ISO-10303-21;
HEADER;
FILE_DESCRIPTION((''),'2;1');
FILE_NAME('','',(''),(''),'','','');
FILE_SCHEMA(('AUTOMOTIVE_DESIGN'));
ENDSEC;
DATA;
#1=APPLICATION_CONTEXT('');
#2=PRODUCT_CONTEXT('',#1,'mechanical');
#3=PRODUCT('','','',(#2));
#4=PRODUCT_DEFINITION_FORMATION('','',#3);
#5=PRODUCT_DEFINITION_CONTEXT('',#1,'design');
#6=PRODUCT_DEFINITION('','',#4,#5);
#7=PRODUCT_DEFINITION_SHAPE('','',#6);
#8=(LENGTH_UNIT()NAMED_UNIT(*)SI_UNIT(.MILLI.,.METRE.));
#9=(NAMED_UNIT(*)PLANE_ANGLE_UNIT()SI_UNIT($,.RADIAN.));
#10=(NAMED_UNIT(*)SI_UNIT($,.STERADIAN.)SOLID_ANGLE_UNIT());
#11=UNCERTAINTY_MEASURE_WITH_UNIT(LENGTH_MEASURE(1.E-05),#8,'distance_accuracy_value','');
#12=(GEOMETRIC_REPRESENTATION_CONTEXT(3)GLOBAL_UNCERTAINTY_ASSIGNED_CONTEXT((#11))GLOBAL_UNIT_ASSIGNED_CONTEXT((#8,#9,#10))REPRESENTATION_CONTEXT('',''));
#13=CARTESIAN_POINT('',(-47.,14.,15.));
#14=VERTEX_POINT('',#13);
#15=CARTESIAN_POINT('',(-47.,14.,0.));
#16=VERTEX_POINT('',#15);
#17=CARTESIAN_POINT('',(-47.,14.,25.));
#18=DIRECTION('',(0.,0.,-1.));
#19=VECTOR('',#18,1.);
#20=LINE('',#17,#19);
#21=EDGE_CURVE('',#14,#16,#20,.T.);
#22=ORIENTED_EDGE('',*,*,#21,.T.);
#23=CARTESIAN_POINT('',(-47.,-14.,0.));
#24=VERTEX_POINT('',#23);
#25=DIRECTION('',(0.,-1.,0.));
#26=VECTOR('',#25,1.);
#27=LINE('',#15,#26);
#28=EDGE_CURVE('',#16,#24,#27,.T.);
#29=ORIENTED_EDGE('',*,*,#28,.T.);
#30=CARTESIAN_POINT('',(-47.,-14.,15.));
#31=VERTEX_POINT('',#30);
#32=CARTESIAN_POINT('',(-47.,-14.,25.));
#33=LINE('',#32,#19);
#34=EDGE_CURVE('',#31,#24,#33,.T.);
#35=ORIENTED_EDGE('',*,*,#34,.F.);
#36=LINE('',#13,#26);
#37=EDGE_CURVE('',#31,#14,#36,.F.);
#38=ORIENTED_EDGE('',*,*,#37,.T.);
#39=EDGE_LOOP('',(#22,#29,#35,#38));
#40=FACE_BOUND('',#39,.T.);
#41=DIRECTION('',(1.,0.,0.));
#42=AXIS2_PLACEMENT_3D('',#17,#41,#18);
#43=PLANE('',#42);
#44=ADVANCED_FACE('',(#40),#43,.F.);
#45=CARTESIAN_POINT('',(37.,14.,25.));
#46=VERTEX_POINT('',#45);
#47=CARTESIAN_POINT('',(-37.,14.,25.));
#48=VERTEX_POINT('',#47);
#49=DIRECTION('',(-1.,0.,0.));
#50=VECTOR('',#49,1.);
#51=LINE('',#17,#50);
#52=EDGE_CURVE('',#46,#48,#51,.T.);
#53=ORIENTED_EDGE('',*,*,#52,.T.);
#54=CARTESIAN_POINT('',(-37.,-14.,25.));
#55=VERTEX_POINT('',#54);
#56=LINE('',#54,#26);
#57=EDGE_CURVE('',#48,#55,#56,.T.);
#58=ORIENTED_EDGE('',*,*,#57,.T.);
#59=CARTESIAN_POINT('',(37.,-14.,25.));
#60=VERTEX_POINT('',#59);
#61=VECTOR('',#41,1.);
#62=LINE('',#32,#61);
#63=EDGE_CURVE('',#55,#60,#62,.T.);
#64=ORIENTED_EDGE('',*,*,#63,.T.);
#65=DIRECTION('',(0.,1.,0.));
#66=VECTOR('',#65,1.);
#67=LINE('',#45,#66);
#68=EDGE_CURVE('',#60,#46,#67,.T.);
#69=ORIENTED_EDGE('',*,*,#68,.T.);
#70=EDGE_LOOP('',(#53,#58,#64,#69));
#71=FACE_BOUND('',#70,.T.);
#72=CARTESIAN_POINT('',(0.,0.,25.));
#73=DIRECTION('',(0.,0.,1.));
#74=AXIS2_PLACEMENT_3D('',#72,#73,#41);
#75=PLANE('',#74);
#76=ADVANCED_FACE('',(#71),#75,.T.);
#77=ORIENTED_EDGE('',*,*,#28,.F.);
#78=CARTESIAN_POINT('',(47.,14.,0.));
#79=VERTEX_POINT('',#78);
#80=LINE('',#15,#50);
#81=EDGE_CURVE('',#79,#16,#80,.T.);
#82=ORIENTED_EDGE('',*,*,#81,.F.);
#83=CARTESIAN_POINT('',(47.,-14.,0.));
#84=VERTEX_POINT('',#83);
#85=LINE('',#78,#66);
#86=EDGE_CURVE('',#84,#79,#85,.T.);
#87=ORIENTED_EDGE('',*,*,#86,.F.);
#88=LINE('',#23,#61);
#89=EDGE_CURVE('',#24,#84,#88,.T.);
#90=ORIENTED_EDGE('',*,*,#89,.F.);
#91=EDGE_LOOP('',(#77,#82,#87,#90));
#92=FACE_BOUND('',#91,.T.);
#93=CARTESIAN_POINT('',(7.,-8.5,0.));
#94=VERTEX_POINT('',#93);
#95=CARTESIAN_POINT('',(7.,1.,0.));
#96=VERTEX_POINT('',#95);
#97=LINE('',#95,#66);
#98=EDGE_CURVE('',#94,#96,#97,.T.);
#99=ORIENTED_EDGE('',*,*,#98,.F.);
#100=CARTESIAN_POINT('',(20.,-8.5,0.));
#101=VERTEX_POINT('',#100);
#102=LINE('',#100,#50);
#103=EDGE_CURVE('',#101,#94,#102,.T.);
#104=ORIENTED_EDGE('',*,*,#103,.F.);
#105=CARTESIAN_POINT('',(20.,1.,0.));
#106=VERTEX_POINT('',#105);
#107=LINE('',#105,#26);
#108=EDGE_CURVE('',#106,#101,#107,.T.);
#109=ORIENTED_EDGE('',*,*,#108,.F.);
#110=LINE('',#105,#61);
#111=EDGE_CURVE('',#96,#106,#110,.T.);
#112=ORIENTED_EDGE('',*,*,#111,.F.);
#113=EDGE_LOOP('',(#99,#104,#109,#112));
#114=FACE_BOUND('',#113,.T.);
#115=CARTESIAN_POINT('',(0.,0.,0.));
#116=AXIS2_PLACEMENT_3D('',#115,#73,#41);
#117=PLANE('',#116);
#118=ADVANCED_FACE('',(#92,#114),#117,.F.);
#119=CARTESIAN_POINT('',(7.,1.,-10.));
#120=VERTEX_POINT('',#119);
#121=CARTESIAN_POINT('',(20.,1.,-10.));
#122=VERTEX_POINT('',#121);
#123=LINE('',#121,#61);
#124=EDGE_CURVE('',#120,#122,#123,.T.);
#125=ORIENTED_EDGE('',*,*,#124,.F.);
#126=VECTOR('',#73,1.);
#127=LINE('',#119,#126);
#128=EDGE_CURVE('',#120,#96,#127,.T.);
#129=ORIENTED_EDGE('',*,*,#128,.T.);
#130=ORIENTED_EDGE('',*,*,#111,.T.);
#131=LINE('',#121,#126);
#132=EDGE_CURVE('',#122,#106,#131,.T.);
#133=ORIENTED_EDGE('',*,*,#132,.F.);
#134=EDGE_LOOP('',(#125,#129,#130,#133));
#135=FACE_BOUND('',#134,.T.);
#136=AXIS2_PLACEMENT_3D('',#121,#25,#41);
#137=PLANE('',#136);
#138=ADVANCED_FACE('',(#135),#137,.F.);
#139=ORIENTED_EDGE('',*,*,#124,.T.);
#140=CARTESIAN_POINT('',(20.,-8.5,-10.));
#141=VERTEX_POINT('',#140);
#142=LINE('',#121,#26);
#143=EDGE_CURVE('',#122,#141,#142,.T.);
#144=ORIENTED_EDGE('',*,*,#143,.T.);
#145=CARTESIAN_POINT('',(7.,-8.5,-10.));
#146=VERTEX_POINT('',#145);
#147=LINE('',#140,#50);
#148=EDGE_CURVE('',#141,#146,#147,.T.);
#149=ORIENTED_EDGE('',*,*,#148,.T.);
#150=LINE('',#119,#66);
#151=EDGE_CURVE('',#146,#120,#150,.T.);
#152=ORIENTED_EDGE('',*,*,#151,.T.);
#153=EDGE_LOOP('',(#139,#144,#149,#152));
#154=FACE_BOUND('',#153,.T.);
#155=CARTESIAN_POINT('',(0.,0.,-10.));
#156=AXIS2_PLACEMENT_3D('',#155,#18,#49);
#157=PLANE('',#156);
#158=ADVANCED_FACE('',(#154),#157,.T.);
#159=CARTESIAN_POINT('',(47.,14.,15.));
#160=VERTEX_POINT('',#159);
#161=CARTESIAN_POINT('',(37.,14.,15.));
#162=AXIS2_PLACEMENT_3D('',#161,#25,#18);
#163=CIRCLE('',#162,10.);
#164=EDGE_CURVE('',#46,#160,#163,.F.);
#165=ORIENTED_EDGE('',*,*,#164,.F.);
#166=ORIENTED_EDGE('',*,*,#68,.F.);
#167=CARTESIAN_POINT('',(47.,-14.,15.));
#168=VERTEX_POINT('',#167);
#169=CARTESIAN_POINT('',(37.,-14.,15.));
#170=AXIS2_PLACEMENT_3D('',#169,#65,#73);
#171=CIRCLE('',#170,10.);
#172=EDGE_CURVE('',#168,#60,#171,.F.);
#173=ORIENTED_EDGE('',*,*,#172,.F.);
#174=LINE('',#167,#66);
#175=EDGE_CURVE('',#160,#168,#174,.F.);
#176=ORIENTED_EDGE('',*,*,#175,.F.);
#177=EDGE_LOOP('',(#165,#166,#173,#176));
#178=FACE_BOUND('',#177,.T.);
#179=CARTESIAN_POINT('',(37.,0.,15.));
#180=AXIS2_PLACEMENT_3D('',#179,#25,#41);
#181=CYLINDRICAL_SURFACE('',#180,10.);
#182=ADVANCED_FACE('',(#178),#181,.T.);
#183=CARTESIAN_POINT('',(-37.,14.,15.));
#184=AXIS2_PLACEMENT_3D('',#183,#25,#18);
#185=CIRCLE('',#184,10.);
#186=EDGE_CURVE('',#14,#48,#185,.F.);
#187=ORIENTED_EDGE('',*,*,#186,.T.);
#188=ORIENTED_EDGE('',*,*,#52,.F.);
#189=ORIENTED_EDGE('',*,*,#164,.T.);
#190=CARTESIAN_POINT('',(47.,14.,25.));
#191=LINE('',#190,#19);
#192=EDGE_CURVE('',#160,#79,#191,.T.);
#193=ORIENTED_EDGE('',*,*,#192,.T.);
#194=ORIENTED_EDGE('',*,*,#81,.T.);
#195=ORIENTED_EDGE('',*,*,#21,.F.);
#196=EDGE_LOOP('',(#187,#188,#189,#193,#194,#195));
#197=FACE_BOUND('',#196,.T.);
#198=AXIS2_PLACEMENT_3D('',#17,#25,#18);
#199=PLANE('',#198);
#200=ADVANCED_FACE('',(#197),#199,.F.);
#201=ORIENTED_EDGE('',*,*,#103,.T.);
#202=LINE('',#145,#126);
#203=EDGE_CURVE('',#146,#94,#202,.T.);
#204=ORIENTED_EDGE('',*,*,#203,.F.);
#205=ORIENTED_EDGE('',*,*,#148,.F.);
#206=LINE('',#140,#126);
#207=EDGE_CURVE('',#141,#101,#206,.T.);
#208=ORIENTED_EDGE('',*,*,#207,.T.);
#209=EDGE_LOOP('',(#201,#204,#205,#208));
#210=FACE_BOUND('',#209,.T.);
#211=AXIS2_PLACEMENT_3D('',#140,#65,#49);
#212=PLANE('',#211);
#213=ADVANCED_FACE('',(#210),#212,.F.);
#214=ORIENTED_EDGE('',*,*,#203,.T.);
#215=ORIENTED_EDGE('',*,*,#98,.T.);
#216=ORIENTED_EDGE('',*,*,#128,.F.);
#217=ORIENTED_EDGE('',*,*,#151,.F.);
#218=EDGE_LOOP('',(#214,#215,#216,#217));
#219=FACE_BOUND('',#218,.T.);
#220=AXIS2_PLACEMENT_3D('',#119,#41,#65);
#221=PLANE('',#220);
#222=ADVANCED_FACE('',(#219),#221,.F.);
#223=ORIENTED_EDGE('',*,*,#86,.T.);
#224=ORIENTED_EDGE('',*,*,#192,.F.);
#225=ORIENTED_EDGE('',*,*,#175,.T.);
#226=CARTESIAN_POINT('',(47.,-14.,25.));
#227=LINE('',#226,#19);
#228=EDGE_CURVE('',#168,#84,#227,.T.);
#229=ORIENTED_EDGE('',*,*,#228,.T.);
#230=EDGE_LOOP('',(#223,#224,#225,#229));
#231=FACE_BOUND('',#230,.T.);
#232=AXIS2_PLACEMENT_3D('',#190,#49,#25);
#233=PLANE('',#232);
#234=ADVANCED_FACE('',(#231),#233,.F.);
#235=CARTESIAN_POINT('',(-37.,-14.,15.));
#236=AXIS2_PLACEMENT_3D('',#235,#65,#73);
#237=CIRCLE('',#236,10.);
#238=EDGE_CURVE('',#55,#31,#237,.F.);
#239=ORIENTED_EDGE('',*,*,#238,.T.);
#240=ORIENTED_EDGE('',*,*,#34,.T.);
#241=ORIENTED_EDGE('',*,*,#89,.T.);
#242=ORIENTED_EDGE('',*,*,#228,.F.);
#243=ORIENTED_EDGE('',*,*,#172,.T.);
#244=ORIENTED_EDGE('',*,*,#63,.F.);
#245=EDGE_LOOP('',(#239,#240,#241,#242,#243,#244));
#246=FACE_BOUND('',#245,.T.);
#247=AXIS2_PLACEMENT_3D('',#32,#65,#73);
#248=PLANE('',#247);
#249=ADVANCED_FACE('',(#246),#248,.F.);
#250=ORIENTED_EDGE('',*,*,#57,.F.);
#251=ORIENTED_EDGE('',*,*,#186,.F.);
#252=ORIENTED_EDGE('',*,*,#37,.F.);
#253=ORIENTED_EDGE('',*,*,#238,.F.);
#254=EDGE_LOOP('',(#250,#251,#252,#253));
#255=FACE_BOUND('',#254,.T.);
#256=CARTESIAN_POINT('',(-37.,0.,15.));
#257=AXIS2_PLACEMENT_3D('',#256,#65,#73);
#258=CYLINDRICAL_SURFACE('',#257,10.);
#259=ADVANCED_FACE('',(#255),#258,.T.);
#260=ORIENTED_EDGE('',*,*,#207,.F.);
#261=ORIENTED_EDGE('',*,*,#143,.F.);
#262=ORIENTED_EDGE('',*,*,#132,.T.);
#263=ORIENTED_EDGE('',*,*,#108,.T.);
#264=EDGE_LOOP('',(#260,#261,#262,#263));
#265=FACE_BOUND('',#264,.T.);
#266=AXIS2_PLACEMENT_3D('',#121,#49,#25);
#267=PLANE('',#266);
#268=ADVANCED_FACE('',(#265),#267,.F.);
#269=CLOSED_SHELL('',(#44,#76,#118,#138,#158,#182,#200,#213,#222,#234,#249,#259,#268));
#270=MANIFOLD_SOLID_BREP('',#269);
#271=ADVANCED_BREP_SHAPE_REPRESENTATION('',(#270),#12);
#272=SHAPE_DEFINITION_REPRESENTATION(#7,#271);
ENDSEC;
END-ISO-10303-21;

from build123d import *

# Parameters (mm, degrees)
SKETCH1_W           = 94
SKETCH1_H           = 28
BOSS_EXTRUDE1_DEPTH = 25
FILLET1_R           = 10
SKETCH2_W           = 13
SKETCH2_H           = 9.5
BOSS_EXTRUDE2_DEPTH = 10


with BuildPart() as part:
    # Sketch1 → Boss-Extrude1 (new body)
    with BuildSketch(Plane.XY):
        Rectangle(SKETCH1_W, SKETCH1_H)
    extrude(amount=BOSS_EXTRUDE1_DEPTH)

    # Fillet1
    fillet1_edges = [part.edges().sort_by_distance(p)[0] for p in [
        (-47, 0, 25),
        (47, 0, 25),
    ]]
    fillet(fillet1_edges, radius=FILLET1_R)

    # Sketch2 → Boss-Extrude2 (add)
    with BuildSketch(Plane(origin=(0, 0, 0), x_dir=(-1, 0, 0), z_dir=(0, 0, -1))):
        with Locations((-13.5, -3.75)):
            Rectangle(SKETCH2_W, SKETCH2_H)
    extrude(amount=BOSS_EXTRUDE2_DEPTH)


solid = part.part
